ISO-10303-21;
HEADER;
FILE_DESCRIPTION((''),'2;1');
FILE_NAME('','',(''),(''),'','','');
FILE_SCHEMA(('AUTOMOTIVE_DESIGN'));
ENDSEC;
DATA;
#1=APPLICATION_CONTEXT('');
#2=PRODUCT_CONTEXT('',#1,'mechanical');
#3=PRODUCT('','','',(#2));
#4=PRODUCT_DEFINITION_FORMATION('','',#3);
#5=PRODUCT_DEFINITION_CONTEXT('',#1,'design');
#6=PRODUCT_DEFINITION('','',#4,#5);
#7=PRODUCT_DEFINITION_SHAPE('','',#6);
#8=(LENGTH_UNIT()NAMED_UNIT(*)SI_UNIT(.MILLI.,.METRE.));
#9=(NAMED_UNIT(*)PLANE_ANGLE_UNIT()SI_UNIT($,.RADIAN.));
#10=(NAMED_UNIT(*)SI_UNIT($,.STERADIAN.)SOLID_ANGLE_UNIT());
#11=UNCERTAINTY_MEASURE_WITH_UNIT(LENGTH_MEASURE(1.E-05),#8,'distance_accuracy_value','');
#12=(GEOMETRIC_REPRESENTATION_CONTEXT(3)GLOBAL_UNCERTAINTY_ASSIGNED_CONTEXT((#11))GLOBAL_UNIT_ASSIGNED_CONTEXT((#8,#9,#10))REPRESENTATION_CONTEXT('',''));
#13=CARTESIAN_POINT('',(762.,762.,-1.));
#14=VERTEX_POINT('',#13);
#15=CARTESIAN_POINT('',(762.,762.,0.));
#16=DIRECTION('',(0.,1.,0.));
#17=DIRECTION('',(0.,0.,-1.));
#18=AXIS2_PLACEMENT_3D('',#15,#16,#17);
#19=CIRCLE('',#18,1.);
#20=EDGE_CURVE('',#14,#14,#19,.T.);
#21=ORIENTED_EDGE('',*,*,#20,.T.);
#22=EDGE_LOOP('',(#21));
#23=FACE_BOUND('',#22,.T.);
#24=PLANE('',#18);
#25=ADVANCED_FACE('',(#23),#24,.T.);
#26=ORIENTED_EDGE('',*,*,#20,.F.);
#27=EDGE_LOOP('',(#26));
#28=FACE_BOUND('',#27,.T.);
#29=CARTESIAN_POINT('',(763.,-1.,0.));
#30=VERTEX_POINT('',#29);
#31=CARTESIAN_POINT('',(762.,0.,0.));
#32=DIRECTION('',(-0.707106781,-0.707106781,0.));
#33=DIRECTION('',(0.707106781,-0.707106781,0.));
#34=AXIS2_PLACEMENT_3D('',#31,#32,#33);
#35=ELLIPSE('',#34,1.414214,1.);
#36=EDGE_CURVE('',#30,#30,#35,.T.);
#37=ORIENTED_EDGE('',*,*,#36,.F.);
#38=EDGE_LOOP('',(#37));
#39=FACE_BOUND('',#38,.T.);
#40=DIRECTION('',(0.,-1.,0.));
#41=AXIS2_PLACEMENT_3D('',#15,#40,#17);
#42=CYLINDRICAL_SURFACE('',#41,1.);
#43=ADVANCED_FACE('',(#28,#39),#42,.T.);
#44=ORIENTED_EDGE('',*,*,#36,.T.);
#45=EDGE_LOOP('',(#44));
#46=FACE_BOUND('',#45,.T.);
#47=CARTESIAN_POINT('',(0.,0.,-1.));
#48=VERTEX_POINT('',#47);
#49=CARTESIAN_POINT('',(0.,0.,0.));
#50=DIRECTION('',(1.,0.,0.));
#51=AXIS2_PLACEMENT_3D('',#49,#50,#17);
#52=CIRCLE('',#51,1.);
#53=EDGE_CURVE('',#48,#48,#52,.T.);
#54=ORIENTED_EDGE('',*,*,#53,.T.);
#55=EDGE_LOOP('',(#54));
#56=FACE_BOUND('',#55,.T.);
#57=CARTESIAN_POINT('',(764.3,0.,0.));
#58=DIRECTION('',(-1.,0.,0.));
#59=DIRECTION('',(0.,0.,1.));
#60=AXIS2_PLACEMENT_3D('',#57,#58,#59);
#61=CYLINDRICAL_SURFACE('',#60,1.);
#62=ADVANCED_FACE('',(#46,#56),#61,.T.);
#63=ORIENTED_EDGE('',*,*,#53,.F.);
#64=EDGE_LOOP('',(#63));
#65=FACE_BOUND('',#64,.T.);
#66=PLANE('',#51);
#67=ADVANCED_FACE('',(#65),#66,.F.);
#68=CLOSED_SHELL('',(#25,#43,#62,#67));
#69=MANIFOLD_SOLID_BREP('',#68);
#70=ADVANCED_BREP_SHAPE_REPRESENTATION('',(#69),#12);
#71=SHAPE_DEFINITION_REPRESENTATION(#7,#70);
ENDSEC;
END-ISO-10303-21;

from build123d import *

# Parameters (mm, degrees)
SKETCH_3_R = 1


with BuildPart() as part:
    # ｽｲｰﾌﾟ1: sweep along a path in ｽｹｯﾁ1
    with BuildLine(Plane.XY) as sweep_1_path:
        Line((0, 0), (762, 0))
        Line((762, 0), (762, 762))
    # ｽｹｯﾁ3 → ｽｲｰﾌﾟ1 (sweep)
    with BuildSketch(Plane(origin=(0, 0, 0), x_dir=(0, 0, -1), z_dir=(1, 0, 0))):
        Circle(SKETCH_3_R)
    sweep(path=sweep_1_path.line, transition=Transition.RIGHT)


solid = part.part
